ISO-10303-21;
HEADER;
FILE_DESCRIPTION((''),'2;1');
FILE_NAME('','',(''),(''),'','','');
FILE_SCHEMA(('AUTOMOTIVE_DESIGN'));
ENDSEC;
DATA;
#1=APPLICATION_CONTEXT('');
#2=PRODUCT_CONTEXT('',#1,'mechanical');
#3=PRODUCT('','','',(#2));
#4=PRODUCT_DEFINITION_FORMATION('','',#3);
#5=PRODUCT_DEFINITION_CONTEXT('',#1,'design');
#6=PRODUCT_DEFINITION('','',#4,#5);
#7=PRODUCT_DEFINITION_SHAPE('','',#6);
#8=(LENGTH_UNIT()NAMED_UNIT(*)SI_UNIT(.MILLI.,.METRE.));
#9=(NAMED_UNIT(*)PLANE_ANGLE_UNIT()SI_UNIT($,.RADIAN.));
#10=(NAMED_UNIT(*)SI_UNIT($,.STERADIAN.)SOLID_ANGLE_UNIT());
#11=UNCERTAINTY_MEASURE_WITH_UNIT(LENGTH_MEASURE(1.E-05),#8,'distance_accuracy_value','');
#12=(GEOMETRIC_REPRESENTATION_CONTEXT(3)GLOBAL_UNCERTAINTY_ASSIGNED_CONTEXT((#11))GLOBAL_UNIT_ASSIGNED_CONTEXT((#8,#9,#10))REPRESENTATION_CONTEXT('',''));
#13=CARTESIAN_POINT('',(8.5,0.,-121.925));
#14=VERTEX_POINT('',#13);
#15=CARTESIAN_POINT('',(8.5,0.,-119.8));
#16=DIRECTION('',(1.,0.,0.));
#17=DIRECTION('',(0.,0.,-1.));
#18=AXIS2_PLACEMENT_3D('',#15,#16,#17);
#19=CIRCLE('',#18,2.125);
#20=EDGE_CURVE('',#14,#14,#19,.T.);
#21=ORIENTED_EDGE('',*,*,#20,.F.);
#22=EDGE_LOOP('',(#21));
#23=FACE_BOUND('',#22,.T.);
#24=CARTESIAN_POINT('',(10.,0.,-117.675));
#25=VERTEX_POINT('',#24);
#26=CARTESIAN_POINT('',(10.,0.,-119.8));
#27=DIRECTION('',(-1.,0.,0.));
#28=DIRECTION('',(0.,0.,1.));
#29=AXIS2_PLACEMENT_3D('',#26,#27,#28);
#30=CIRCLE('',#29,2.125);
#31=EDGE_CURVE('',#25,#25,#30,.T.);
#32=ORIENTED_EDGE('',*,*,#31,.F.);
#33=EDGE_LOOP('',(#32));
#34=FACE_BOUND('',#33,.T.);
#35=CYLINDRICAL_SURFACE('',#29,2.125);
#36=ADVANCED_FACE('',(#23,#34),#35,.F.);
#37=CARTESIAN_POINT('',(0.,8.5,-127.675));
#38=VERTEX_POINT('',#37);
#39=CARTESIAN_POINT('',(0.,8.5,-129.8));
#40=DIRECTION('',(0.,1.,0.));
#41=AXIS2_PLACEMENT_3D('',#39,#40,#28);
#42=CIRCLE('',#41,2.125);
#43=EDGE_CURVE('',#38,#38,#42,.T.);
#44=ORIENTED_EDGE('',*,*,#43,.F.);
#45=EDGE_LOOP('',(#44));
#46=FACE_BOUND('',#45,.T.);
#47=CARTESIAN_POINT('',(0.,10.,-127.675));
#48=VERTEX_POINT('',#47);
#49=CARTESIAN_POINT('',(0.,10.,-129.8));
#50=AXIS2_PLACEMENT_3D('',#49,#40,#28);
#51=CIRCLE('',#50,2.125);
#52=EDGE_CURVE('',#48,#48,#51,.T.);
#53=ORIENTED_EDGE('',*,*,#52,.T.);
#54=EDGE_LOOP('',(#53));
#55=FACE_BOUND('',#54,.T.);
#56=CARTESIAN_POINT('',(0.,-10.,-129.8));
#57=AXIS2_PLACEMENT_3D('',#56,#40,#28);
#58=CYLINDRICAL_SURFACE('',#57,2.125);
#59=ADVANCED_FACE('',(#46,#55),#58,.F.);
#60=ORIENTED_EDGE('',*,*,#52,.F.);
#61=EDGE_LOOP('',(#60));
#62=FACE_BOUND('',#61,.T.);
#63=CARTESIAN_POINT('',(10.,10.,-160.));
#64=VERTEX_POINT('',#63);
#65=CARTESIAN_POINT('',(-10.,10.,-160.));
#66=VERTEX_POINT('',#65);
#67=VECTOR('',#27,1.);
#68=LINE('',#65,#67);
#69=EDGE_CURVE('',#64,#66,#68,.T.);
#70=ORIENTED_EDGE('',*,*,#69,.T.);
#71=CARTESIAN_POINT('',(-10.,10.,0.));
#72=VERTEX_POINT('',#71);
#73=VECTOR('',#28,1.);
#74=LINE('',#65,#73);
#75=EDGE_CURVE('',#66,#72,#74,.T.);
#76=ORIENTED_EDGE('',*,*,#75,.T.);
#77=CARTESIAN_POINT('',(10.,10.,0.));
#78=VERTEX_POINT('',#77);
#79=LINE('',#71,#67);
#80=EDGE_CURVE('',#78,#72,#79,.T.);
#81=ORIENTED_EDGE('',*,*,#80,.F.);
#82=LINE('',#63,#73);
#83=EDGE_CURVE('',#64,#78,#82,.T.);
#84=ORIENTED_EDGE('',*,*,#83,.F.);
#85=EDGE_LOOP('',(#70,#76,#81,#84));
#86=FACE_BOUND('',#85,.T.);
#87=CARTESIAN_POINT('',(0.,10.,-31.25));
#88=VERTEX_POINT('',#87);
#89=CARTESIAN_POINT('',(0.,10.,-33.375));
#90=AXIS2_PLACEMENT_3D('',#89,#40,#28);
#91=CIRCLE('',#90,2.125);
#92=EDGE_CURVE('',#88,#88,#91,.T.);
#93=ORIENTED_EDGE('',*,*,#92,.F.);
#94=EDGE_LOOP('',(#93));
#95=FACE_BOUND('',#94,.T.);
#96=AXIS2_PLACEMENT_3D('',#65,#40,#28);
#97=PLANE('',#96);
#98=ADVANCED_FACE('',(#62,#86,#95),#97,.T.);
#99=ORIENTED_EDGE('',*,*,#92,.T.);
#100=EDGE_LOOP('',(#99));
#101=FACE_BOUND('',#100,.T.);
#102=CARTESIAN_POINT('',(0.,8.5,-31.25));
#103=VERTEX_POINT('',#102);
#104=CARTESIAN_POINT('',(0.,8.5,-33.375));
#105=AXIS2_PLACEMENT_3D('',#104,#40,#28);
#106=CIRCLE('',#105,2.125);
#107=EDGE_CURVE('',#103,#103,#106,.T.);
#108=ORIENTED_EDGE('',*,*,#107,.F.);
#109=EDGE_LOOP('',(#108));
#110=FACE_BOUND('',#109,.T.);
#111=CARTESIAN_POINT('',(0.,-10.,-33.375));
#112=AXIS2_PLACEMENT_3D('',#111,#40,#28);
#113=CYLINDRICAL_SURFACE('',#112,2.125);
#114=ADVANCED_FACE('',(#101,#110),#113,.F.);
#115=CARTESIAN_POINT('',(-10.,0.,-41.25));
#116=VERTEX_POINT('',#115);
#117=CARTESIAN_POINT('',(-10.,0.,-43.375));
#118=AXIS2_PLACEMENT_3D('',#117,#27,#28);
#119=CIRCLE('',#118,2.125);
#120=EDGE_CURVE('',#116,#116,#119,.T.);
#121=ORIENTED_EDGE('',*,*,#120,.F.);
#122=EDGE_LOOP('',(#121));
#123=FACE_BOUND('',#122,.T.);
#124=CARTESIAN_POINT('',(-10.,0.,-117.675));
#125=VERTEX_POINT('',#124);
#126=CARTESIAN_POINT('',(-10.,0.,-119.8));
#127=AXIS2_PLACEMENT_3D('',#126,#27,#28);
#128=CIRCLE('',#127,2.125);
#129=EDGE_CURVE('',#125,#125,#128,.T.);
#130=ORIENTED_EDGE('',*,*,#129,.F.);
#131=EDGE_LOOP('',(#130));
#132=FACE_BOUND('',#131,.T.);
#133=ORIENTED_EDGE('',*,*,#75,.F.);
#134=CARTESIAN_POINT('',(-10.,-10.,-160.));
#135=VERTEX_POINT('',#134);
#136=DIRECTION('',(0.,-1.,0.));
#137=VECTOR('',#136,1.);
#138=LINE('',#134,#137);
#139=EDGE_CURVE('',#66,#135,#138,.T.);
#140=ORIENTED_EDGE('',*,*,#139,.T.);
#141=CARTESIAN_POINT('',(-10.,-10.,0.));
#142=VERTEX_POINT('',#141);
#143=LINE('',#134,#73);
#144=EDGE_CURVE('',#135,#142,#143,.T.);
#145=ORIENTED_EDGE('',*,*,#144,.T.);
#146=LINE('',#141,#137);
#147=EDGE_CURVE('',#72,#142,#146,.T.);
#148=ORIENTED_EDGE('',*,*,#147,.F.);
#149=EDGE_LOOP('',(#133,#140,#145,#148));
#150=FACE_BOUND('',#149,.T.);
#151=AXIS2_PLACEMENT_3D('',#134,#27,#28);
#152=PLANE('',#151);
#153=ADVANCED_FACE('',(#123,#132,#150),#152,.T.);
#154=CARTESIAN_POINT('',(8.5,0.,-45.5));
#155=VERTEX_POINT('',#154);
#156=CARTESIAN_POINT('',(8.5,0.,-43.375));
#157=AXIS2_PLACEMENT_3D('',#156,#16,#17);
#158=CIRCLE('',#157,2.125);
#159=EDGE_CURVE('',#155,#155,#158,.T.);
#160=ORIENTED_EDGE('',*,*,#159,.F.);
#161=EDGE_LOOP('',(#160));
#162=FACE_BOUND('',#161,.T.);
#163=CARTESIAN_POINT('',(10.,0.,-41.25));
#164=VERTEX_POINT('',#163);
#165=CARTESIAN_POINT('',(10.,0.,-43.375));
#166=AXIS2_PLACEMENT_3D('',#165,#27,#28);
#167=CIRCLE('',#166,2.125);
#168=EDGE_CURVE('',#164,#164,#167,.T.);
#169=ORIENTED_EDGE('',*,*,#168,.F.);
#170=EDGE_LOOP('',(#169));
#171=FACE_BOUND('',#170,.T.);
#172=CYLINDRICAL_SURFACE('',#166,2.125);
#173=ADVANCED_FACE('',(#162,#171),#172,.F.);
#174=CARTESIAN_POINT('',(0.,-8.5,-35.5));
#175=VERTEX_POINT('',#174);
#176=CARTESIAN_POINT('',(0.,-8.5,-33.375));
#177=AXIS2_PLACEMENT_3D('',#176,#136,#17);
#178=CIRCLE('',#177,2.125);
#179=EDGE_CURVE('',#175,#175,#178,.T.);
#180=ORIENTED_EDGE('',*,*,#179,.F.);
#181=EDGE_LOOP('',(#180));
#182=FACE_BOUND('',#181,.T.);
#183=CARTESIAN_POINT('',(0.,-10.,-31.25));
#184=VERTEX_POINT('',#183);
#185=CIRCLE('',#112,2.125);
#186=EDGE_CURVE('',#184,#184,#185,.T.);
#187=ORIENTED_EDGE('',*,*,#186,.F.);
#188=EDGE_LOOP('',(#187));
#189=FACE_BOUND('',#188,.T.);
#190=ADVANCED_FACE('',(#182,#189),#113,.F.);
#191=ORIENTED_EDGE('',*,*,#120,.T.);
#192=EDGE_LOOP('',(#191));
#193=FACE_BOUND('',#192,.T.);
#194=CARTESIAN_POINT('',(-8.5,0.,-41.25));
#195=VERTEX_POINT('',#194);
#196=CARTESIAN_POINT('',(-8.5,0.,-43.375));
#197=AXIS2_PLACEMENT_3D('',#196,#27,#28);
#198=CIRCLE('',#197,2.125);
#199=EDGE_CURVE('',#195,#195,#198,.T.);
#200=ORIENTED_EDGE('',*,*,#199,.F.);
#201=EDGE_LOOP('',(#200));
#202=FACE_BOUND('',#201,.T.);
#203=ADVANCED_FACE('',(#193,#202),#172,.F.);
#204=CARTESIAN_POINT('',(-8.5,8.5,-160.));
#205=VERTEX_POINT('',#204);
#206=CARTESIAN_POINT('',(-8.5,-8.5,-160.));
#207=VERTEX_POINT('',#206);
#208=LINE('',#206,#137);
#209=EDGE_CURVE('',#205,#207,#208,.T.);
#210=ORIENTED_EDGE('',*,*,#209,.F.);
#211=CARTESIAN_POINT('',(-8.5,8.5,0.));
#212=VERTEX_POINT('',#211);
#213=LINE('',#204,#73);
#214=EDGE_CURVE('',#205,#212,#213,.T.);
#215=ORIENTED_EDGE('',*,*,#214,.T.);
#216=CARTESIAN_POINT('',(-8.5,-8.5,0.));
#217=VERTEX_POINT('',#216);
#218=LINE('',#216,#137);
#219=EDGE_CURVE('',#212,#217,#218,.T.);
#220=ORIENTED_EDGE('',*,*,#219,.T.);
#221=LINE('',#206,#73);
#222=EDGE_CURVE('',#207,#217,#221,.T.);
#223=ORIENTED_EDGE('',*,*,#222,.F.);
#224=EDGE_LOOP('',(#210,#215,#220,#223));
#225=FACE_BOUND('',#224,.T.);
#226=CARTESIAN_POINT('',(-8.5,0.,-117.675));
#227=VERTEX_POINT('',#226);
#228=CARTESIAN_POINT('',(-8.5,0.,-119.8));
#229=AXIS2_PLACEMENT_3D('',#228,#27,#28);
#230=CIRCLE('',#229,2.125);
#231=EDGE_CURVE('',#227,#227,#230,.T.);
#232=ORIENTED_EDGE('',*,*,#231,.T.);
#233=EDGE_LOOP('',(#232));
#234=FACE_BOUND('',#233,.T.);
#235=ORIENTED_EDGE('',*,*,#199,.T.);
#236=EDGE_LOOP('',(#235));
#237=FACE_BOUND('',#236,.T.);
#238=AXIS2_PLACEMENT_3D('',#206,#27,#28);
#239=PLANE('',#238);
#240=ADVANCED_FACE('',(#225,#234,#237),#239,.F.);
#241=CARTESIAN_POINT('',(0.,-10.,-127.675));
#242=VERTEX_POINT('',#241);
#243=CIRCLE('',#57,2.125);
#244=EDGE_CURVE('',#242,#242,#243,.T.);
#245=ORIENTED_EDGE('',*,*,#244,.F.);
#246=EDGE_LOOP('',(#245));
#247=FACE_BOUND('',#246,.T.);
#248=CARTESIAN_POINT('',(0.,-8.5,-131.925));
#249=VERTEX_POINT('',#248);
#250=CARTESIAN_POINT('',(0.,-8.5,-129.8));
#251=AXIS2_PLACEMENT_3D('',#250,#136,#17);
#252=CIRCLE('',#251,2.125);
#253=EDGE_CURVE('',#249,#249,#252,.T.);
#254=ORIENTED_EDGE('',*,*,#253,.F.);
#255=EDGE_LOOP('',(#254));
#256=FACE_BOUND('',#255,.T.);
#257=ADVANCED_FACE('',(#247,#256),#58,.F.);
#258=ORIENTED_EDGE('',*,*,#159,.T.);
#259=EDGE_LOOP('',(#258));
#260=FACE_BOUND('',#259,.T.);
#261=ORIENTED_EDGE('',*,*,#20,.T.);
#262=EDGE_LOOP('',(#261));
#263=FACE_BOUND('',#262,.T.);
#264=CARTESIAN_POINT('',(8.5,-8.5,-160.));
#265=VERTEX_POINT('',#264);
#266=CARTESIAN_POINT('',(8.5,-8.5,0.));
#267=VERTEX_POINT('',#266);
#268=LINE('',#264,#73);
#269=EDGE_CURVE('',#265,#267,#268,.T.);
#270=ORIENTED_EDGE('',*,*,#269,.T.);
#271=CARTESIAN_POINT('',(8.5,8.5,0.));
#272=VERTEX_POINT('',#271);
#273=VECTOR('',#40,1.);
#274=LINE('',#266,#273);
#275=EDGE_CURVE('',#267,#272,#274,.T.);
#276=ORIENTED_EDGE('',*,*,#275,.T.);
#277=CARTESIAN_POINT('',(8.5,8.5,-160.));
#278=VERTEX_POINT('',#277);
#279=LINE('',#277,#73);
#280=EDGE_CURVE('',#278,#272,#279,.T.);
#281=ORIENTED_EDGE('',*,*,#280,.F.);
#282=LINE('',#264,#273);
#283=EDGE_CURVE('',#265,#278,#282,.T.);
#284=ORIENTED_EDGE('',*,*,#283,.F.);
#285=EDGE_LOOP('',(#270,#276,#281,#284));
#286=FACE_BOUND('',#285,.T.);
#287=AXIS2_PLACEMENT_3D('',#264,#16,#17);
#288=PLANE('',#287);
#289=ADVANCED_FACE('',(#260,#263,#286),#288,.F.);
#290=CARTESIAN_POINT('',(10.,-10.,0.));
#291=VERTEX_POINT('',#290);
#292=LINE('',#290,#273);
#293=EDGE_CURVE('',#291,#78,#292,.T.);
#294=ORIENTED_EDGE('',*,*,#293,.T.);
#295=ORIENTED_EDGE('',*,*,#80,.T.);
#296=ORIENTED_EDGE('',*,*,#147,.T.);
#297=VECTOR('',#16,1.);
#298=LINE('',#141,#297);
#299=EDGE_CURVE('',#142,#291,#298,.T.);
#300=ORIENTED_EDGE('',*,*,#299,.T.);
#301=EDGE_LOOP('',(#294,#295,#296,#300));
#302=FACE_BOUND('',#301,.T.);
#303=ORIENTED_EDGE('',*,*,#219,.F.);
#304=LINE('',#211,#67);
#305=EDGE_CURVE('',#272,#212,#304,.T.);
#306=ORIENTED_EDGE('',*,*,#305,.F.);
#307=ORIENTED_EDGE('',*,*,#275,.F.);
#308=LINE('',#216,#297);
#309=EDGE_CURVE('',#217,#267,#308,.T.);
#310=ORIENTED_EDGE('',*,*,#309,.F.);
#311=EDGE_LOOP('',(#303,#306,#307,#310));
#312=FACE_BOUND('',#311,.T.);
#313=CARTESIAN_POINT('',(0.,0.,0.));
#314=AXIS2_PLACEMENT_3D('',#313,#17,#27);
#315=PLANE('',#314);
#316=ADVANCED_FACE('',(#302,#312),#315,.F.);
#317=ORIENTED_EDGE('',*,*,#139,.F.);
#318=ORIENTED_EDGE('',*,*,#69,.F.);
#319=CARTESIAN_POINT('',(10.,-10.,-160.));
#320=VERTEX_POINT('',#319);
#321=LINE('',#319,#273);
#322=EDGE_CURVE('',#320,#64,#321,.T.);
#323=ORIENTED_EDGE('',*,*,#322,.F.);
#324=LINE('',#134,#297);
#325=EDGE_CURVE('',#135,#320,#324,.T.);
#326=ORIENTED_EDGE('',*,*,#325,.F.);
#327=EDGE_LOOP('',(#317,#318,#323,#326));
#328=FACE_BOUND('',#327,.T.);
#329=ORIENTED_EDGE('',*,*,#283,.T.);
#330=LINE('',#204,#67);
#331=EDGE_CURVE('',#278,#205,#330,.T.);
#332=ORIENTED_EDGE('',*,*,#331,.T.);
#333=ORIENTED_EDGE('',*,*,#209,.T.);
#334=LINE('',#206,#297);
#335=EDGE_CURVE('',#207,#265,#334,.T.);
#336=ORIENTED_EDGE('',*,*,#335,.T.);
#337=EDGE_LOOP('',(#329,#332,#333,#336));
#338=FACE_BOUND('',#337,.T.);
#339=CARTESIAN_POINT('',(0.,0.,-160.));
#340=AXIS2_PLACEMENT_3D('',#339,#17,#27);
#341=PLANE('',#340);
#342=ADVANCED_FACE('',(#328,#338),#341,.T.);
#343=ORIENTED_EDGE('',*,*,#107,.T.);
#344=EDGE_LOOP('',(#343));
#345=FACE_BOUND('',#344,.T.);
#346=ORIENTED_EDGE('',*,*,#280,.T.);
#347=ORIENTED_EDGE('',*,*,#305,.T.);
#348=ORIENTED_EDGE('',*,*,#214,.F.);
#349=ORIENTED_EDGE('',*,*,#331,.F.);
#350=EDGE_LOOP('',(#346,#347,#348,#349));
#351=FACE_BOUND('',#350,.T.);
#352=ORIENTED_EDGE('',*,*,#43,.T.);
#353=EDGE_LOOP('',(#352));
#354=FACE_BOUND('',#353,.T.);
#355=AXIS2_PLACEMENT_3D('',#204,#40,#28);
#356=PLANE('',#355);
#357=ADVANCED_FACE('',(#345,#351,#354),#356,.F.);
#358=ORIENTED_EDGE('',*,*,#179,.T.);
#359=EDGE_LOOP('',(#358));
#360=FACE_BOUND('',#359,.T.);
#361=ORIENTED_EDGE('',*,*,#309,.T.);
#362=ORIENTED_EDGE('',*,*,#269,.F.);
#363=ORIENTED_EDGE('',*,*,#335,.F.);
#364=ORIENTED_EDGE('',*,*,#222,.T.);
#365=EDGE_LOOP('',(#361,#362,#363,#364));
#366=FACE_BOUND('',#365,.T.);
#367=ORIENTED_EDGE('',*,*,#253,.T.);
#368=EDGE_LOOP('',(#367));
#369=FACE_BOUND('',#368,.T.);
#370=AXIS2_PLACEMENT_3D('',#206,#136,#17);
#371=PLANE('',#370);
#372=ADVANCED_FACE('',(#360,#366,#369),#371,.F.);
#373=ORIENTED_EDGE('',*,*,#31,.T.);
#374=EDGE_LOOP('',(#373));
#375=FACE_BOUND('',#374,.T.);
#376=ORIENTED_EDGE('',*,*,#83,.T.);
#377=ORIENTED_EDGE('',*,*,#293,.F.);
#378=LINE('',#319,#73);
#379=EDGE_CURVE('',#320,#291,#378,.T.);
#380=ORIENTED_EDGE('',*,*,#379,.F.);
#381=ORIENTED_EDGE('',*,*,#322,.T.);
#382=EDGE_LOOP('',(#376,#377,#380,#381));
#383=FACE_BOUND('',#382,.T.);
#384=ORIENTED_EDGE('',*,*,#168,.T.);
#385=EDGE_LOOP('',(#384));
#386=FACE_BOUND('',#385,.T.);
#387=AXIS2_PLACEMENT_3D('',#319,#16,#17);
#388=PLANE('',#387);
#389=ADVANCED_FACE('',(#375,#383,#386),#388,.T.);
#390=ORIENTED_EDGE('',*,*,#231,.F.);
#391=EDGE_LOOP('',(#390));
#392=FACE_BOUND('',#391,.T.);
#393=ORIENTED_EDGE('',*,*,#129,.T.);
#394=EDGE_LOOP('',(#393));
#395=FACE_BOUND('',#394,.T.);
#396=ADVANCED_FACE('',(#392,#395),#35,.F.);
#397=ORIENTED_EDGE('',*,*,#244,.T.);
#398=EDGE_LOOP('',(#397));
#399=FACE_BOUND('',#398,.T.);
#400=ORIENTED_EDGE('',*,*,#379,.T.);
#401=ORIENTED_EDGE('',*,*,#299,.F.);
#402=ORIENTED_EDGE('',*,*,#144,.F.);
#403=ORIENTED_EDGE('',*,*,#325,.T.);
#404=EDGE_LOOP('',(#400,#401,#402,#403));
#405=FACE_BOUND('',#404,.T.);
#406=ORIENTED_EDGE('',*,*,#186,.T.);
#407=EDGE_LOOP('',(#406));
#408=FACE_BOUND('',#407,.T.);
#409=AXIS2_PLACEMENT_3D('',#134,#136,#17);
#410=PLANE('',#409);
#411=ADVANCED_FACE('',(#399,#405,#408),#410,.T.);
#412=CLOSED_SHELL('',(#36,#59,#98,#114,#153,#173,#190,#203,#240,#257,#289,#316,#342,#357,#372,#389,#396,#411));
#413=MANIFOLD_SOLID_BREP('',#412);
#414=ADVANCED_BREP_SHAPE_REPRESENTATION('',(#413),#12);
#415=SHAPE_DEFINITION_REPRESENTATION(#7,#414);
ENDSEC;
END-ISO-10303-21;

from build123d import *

# Parameters (mm, degrees)
SKETCH1_W           = 20
SKETCH1_H           = 20
SKETCH1_W_2         = 17
SKETCH1_H_2         = 17
BOSS_EXTRUDE1_DEPTH = 160
SKETCH2_R           = 2.125
CUT_EXTRUDE1_DEPTH  = 162.554944214
SKETCH3_R           = 2.125
CUT_EXTRUDE2_DEPTH  = 162.554944214


with BuildPart() as part:
    # Sketch1 → Boss-Extrude1 (new body)
    with BuildSketch(Plane.XY):
        Rectangle(SKETCH1_W, SKETCH1_H)
        Rectangle(SKETCH1_W_2, SKETCH1_H_2, mode=Mode.SUBTRACT)
    extrude(amount=-BOSS_EXTRUDE1_DEPTH)

    # Sketch2 → Cut-Extrude1 (cut, through all)
    with BuildSketch(Plane(origin=(0, 10, 0), x_dir=(1, 0, 0), z_dir=(0, 1, 0))):
        with Locations(Location((0, 33.375, 0), (0, 0, 270))):
            Circle(SKETCH2_R)
        with Locations(Location((0, 129.8, 0), (0, 0, 270))):
            Circle(SKETCH2_R)
    extrude(amount=-CUT_EXTRUDE1_DEPTH, mode=Mode.SUBTRACT)

    # Sketch3 → Cut-Extrude2 (cut, through all)
    with BuildSketch(Plane.ZY.offset(10)):
        with Locations((-43.375, 0)):
            Circle(SKETCH3_R)
        with Locations((-119.8, 0)):
            Circle(SKETCH3_R)
    extrude(amount=-CUT_EXTRUDE2_DEPTH, mode=Mode.SUBTRACT)


solid = part.part
